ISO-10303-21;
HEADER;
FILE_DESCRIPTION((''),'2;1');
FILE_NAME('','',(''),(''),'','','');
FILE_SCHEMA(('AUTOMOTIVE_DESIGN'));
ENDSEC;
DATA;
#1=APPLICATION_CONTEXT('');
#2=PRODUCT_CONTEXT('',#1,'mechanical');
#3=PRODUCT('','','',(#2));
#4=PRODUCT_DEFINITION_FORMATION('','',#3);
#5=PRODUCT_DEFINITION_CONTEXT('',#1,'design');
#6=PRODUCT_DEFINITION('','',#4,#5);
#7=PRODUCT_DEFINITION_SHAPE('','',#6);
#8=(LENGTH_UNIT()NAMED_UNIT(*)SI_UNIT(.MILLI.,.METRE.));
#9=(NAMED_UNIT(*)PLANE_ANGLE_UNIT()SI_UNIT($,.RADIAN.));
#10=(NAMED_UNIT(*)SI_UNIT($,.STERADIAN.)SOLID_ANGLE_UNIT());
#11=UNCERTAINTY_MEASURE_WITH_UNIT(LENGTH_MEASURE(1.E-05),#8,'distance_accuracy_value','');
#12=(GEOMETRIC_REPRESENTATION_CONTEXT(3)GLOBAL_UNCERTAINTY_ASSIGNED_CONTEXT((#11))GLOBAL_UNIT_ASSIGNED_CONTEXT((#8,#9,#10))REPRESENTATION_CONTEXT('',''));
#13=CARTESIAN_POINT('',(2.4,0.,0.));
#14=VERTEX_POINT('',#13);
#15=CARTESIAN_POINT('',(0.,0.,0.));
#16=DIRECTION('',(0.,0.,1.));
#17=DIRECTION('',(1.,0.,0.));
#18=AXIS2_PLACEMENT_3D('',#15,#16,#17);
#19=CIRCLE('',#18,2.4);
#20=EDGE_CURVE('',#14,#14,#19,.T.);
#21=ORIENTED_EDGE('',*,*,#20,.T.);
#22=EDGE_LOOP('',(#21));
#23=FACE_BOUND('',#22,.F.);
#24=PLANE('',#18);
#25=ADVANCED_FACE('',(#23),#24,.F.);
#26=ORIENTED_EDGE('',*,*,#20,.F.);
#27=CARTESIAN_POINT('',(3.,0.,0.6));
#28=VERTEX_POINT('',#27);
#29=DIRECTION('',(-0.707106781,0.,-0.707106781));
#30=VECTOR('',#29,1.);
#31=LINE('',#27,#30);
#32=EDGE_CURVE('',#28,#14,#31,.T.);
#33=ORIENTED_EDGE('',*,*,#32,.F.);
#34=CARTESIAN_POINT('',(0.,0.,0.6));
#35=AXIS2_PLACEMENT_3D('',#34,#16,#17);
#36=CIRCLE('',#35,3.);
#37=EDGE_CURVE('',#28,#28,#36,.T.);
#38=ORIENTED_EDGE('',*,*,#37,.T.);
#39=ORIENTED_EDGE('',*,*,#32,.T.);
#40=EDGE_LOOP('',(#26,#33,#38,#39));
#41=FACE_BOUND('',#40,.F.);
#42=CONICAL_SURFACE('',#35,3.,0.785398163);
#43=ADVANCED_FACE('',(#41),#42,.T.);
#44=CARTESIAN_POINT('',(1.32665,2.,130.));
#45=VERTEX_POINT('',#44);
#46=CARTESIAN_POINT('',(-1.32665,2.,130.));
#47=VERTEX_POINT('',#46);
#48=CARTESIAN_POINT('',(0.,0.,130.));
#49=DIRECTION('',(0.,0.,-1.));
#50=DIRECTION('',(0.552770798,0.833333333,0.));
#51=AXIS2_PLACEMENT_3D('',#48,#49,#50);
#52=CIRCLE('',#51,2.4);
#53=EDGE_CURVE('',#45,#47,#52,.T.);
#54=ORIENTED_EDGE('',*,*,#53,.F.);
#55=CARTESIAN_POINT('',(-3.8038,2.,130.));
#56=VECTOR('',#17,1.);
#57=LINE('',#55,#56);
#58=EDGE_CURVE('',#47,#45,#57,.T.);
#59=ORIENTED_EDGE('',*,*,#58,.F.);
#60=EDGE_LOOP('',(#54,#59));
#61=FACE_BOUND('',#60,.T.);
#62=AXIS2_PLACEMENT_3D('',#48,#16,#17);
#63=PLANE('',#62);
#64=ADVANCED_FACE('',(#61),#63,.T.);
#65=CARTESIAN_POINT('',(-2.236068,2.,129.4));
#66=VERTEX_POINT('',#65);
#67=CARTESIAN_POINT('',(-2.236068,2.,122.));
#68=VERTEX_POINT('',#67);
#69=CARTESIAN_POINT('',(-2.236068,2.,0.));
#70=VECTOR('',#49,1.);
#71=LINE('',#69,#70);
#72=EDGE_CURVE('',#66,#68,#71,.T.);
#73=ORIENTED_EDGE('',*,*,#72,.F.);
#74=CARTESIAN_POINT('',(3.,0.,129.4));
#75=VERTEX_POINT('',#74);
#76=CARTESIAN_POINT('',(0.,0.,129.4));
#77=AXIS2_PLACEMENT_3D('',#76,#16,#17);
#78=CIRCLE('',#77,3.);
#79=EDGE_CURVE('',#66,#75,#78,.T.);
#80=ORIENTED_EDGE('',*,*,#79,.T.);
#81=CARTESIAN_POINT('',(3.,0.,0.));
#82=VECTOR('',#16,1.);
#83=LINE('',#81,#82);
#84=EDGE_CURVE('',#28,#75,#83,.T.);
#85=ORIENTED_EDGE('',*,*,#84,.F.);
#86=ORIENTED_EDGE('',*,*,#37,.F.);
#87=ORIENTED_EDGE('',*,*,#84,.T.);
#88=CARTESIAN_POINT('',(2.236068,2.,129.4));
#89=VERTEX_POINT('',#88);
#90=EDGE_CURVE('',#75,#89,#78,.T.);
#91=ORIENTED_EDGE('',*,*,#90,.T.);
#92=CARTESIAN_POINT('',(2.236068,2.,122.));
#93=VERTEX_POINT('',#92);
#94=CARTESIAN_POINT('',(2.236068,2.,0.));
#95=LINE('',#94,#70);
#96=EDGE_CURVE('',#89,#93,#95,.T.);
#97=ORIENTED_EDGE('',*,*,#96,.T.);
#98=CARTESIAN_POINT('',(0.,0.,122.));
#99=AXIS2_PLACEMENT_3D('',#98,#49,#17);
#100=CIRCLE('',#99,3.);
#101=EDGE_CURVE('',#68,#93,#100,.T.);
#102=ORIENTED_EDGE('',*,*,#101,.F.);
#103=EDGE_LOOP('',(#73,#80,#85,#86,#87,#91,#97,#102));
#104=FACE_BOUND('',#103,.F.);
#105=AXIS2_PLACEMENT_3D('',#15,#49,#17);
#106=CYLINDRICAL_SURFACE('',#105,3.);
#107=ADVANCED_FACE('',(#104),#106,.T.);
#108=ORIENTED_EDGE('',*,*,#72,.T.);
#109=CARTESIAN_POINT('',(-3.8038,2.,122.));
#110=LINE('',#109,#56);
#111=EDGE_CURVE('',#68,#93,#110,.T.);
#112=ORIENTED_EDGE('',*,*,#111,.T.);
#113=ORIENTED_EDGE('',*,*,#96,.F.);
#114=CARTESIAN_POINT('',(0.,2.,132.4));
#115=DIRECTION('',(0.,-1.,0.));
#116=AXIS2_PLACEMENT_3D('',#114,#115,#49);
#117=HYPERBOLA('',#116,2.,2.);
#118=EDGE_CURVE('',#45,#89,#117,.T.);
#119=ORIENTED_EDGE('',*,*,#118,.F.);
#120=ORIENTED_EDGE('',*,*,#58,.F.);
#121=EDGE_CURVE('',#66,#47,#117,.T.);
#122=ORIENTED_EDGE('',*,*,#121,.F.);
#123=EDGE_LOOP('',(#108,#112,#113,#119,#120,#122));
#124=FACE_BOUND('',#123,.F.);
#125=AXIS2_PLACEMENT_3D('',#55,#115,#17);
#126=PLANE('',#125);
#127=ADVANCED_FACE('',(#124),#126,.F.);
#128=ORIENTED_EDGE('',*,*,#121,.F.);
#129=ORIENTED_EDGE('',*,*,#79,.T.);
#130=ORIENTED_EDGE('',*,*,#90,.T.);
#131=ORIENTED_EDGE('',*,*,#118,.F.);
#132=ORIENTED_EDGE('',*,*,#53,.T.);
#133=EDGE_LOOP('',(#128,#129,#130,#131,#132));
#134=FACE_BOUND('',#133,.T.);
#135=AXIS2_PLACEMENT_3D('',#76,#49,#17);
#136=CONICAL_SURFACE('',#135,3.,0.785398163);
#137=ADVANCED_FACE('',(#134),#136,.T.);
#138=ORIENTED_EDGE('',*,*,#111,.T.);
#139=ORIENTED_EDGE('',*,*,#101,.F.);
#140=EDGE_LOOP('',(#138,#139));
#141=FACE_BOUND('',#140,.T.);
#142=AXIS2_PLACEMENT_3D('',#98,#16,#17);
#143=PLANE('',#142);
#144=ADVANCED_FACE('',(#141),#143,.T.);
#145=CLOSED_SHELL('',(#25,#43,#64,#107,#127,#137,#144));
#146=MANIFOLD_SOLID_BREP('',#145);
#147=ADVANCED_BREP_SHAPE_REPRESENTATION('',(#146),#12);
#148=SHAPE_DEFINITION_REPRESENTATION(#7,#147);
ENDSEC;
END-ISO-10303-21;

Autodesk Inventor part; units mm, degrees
ref_plane "YZ Plane" through (0, 0, 0) normal (1, 0, 0) x (0, 1, 0)
ref_plane "XZ Plane" through (0, 0, 0) normal (0, 1, 0) x (-1, 0, 0)
ref_plane "XY Plane" through (0, 0, 0) normal (0, 0, 1) x (1, 0, 0)
sketch "Sketch1" plane through (0, 0, 0) normal (0, 0, 1) x (1, 0, 0)
  circle A0 centre (0, 0) radius 3
  dimension "d0" = 6
extrude "Extrusion1" add sketch "Sketch1" along normal blind 130
thread "Thread1" size "M6x0.5" class "6g" standard "ISO Metric profile" full length
chamfer "Chamfer1" distance 0.6 angle 45 1 edges at (-3, 0, 130)
chamfer "Chamfer2" distance 0.6 angle 45 1 edges at (-3, 0, 0)
sketch "Sketch2" plane through (0, 0, 130) normal (0, 0, 1) x (1, 0, 0)
  line L0 (3.8696, 4.6025) -> (-3.8038, 4.6025)
  line L1 (-3.8038, 4.6025) -> (-3.8038, 2)
  line L2 (-3.8038, 2) -> (3.8696, 2)
  line L3 (3.8696, 2) -> (3.8696, 4.6025)
  point P0 (0, 0)
  dimension "d11" = 2
extrude "Extrusion2" cut sketch "Sketch2" against normal blind 8
properties part number "popychacz"
